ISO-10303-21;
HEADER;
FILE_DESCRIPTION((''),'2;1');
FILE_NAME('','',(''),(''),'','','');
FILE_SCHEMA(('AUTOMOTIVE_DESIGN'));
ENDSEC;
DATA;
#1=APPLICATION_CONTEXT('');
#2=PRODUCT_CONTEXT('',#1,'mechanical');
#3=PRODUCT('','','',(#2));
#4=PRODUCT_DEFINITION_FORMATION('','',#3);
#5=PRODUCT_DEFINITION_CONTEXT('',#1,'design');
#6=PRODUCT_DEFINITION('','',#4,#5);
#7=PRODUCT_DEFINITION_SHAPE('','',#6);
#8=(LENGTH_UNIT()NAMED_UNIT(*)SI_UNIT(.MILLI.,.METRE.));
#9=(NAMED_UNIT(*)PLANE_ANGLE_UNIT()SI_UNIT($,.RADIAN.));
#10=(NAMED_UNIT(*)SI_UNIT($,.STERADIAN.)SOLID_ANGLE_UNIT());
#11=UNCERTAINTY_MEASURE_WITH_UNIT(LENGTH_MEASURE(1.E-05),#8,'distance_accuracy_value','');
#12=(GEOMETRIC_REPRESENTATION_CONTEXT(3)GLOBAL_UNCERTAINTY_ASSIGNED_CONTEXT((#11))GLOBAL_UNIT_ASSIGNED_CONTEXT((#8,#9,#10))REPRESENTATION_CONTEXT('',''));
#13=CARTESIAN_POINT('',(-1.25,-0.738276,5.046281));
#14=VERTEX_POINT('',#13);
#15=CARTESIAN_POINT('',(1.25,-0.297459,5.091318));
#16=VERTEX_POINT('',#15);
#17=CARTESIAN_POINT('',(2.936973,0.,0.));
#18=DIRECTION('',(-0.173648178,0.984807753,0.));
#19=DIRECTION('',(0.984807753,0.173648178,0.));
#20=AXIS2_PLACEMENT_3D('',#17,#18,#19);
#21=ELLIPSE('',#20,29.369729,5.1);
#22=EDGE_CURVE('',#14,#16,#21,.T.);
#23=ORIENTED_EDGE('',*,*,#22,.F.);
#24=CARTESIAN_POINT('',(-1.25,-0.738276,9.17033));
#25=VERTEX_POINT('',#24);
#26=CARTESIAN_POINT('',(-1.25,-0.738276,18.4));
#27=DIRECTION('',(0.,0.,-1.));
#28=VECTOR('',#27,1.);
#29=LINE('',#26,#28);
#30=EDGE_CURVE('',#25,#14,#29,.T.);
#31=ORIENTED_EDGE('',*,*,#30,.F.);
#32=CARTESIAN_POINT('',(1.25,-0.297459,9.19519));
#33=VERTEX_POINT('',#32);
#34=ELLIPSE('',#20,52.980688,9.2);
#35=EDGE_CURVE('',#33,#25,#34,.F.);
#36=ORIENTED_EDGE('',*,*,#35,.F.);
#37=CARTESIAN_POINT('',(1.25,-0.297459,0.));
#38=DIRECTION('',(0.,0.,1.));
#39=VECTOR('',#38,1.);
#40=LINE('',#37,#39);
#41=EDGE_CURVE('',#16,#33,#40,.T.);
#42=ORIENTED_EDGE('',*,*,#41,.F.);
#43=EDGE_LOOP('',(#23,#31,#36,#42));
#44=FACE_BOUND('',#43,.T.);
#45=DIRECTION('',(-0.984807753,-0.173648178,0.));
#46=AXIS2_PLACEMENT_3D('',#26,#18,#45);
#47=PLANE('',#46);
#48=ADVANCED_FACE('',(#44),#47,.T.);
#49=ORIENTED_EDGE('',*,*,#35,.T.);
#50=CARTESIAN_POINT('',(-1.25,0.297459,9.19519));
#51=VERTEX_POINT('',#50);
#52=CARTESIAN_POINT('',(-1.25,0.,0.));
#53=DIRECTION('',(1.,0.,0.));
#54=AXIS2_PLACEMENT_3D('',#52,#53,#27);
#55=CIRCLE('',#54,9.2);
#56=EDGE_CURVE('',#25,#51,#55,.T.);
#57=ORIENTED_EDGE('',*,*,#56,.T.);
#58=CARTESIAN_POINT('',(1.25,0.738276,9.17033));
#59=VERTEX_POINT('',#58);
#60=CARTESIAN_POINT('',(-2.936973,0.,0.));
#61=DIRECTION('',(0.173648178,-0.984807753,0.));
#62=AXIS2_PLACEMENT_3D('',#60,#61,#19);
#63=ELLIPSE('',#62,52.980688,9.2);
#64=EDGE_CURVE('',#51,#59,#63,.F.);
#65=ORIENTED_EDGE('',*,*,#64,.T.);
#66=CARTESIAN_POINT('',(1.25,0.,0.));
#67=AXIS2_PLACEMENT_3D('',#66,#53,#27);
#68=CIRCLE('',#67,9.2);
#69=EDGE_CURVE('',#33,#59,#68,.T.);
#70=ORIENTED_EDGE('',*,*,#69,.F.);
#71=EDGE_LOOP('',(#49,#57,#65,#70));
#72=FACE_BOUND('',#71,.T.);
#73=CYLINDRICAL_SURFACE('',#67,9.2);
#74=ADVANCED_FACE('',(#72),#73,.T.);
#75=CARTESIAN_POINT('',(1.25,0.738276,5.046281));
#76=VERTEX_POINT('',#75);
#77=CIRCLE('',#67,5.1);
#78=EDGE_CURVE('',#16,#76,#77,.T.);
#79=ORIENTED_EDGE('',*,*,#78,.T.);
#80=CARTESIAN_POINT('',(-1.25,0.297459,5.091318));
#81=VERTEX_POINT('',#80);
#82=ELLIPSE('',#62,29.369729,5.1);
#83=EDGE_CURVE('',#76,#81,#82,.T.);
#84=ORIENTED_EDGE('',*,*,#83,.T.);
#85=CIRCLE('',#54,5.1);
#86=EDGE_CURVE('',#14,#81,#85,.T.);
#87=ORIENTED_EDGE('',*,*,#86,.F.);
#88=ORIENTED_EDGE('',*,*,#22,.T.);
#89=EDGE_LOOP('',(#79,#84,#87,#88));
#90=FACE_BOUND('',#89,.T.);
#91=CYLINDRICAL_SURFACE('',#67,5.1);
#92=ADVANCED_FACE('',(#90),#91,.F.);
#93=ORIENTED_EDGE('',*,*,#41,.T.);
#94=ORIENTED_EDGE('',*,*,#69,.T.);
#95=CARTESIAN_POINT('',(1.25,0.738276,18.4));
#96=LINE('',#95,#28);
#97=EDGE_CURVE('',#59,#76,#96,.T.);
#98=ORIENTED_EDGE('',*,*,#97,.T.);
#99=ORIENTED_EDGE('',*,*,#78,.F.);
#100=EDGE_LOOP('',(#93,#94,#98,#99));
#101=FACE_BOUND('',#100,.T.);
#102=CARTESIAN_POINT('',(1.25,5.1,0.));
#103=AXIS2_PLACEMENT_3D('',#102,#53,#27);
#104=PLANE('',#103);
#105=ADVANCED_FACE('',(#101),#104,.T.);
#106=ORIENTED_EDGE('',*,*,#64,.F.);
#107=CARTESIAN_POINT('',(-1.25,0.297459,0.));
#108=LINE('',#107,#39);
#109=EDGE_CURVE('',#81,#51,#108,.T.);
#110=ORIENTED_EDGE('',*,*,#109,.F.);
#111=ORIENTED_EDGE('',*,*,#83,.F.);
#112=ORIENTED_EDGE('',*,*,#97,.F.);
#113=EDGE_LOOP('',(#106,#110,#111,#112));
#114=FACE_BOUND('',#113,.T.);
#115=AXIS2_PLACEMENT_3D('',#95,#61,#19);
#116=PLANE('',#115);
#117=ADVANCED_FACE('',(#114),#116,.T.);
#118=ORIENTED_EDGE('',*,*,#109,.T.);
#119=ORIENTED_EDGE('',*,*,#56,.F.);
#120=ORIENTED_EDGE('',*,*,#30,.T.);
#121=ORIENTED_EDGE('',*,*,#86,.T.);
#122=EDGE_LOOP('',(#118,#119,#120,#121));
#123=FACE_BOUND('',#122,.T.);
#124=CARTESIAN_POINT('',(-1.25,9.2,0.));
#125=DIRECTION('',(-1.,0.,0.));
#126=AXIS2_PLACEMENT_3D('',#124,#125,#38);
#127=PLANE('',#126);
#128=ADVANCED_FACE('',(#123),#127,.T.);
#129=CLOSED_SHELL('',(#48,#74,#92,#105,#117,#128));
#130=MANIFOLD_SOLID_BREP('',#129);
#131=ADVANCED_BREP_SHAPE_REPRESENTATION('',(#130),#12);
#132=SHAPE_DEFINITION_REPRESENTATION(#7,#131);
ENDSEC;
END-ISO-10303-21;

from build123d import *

# Parameters (mm, degrees)
SKETCH1_W          = 2.5
SKETCH1_H          = 4.1
CUT_EXTRUDE1_DEPTH = 18.4


with BuildPart() as part:
    # Sketch1 → Revolve1 (revolve)
    with BuildSketch(Plane.XY, mode=Mode.PRIVATE) as revolve1_sk:
        with Locations((0, 7.15)):
            Rectangle(SKETCH1_W, SKETCH1_H)
    revolve(revolve1_sk.sketch.rotate(Axis((1.25, 0, 0), (-1, 0, 0)), 90), axis=Axis((1.25, 0, 0), (-1, 0, 0)))

    # Sketch2 → Cut-Extrude1 (cut)
    with BuildSketch(Plane.XY):
        Polygon((-1.427121141, 0.26622761), (-1.25, -0.738276298), (1.427121141, -0.26622761), (1.25, 0.738276298), align=None)
    extrude(amount=CUT_EXTRUDE1_DEPTH, mode=Mode.SUBTRACT)


solid = part.part
